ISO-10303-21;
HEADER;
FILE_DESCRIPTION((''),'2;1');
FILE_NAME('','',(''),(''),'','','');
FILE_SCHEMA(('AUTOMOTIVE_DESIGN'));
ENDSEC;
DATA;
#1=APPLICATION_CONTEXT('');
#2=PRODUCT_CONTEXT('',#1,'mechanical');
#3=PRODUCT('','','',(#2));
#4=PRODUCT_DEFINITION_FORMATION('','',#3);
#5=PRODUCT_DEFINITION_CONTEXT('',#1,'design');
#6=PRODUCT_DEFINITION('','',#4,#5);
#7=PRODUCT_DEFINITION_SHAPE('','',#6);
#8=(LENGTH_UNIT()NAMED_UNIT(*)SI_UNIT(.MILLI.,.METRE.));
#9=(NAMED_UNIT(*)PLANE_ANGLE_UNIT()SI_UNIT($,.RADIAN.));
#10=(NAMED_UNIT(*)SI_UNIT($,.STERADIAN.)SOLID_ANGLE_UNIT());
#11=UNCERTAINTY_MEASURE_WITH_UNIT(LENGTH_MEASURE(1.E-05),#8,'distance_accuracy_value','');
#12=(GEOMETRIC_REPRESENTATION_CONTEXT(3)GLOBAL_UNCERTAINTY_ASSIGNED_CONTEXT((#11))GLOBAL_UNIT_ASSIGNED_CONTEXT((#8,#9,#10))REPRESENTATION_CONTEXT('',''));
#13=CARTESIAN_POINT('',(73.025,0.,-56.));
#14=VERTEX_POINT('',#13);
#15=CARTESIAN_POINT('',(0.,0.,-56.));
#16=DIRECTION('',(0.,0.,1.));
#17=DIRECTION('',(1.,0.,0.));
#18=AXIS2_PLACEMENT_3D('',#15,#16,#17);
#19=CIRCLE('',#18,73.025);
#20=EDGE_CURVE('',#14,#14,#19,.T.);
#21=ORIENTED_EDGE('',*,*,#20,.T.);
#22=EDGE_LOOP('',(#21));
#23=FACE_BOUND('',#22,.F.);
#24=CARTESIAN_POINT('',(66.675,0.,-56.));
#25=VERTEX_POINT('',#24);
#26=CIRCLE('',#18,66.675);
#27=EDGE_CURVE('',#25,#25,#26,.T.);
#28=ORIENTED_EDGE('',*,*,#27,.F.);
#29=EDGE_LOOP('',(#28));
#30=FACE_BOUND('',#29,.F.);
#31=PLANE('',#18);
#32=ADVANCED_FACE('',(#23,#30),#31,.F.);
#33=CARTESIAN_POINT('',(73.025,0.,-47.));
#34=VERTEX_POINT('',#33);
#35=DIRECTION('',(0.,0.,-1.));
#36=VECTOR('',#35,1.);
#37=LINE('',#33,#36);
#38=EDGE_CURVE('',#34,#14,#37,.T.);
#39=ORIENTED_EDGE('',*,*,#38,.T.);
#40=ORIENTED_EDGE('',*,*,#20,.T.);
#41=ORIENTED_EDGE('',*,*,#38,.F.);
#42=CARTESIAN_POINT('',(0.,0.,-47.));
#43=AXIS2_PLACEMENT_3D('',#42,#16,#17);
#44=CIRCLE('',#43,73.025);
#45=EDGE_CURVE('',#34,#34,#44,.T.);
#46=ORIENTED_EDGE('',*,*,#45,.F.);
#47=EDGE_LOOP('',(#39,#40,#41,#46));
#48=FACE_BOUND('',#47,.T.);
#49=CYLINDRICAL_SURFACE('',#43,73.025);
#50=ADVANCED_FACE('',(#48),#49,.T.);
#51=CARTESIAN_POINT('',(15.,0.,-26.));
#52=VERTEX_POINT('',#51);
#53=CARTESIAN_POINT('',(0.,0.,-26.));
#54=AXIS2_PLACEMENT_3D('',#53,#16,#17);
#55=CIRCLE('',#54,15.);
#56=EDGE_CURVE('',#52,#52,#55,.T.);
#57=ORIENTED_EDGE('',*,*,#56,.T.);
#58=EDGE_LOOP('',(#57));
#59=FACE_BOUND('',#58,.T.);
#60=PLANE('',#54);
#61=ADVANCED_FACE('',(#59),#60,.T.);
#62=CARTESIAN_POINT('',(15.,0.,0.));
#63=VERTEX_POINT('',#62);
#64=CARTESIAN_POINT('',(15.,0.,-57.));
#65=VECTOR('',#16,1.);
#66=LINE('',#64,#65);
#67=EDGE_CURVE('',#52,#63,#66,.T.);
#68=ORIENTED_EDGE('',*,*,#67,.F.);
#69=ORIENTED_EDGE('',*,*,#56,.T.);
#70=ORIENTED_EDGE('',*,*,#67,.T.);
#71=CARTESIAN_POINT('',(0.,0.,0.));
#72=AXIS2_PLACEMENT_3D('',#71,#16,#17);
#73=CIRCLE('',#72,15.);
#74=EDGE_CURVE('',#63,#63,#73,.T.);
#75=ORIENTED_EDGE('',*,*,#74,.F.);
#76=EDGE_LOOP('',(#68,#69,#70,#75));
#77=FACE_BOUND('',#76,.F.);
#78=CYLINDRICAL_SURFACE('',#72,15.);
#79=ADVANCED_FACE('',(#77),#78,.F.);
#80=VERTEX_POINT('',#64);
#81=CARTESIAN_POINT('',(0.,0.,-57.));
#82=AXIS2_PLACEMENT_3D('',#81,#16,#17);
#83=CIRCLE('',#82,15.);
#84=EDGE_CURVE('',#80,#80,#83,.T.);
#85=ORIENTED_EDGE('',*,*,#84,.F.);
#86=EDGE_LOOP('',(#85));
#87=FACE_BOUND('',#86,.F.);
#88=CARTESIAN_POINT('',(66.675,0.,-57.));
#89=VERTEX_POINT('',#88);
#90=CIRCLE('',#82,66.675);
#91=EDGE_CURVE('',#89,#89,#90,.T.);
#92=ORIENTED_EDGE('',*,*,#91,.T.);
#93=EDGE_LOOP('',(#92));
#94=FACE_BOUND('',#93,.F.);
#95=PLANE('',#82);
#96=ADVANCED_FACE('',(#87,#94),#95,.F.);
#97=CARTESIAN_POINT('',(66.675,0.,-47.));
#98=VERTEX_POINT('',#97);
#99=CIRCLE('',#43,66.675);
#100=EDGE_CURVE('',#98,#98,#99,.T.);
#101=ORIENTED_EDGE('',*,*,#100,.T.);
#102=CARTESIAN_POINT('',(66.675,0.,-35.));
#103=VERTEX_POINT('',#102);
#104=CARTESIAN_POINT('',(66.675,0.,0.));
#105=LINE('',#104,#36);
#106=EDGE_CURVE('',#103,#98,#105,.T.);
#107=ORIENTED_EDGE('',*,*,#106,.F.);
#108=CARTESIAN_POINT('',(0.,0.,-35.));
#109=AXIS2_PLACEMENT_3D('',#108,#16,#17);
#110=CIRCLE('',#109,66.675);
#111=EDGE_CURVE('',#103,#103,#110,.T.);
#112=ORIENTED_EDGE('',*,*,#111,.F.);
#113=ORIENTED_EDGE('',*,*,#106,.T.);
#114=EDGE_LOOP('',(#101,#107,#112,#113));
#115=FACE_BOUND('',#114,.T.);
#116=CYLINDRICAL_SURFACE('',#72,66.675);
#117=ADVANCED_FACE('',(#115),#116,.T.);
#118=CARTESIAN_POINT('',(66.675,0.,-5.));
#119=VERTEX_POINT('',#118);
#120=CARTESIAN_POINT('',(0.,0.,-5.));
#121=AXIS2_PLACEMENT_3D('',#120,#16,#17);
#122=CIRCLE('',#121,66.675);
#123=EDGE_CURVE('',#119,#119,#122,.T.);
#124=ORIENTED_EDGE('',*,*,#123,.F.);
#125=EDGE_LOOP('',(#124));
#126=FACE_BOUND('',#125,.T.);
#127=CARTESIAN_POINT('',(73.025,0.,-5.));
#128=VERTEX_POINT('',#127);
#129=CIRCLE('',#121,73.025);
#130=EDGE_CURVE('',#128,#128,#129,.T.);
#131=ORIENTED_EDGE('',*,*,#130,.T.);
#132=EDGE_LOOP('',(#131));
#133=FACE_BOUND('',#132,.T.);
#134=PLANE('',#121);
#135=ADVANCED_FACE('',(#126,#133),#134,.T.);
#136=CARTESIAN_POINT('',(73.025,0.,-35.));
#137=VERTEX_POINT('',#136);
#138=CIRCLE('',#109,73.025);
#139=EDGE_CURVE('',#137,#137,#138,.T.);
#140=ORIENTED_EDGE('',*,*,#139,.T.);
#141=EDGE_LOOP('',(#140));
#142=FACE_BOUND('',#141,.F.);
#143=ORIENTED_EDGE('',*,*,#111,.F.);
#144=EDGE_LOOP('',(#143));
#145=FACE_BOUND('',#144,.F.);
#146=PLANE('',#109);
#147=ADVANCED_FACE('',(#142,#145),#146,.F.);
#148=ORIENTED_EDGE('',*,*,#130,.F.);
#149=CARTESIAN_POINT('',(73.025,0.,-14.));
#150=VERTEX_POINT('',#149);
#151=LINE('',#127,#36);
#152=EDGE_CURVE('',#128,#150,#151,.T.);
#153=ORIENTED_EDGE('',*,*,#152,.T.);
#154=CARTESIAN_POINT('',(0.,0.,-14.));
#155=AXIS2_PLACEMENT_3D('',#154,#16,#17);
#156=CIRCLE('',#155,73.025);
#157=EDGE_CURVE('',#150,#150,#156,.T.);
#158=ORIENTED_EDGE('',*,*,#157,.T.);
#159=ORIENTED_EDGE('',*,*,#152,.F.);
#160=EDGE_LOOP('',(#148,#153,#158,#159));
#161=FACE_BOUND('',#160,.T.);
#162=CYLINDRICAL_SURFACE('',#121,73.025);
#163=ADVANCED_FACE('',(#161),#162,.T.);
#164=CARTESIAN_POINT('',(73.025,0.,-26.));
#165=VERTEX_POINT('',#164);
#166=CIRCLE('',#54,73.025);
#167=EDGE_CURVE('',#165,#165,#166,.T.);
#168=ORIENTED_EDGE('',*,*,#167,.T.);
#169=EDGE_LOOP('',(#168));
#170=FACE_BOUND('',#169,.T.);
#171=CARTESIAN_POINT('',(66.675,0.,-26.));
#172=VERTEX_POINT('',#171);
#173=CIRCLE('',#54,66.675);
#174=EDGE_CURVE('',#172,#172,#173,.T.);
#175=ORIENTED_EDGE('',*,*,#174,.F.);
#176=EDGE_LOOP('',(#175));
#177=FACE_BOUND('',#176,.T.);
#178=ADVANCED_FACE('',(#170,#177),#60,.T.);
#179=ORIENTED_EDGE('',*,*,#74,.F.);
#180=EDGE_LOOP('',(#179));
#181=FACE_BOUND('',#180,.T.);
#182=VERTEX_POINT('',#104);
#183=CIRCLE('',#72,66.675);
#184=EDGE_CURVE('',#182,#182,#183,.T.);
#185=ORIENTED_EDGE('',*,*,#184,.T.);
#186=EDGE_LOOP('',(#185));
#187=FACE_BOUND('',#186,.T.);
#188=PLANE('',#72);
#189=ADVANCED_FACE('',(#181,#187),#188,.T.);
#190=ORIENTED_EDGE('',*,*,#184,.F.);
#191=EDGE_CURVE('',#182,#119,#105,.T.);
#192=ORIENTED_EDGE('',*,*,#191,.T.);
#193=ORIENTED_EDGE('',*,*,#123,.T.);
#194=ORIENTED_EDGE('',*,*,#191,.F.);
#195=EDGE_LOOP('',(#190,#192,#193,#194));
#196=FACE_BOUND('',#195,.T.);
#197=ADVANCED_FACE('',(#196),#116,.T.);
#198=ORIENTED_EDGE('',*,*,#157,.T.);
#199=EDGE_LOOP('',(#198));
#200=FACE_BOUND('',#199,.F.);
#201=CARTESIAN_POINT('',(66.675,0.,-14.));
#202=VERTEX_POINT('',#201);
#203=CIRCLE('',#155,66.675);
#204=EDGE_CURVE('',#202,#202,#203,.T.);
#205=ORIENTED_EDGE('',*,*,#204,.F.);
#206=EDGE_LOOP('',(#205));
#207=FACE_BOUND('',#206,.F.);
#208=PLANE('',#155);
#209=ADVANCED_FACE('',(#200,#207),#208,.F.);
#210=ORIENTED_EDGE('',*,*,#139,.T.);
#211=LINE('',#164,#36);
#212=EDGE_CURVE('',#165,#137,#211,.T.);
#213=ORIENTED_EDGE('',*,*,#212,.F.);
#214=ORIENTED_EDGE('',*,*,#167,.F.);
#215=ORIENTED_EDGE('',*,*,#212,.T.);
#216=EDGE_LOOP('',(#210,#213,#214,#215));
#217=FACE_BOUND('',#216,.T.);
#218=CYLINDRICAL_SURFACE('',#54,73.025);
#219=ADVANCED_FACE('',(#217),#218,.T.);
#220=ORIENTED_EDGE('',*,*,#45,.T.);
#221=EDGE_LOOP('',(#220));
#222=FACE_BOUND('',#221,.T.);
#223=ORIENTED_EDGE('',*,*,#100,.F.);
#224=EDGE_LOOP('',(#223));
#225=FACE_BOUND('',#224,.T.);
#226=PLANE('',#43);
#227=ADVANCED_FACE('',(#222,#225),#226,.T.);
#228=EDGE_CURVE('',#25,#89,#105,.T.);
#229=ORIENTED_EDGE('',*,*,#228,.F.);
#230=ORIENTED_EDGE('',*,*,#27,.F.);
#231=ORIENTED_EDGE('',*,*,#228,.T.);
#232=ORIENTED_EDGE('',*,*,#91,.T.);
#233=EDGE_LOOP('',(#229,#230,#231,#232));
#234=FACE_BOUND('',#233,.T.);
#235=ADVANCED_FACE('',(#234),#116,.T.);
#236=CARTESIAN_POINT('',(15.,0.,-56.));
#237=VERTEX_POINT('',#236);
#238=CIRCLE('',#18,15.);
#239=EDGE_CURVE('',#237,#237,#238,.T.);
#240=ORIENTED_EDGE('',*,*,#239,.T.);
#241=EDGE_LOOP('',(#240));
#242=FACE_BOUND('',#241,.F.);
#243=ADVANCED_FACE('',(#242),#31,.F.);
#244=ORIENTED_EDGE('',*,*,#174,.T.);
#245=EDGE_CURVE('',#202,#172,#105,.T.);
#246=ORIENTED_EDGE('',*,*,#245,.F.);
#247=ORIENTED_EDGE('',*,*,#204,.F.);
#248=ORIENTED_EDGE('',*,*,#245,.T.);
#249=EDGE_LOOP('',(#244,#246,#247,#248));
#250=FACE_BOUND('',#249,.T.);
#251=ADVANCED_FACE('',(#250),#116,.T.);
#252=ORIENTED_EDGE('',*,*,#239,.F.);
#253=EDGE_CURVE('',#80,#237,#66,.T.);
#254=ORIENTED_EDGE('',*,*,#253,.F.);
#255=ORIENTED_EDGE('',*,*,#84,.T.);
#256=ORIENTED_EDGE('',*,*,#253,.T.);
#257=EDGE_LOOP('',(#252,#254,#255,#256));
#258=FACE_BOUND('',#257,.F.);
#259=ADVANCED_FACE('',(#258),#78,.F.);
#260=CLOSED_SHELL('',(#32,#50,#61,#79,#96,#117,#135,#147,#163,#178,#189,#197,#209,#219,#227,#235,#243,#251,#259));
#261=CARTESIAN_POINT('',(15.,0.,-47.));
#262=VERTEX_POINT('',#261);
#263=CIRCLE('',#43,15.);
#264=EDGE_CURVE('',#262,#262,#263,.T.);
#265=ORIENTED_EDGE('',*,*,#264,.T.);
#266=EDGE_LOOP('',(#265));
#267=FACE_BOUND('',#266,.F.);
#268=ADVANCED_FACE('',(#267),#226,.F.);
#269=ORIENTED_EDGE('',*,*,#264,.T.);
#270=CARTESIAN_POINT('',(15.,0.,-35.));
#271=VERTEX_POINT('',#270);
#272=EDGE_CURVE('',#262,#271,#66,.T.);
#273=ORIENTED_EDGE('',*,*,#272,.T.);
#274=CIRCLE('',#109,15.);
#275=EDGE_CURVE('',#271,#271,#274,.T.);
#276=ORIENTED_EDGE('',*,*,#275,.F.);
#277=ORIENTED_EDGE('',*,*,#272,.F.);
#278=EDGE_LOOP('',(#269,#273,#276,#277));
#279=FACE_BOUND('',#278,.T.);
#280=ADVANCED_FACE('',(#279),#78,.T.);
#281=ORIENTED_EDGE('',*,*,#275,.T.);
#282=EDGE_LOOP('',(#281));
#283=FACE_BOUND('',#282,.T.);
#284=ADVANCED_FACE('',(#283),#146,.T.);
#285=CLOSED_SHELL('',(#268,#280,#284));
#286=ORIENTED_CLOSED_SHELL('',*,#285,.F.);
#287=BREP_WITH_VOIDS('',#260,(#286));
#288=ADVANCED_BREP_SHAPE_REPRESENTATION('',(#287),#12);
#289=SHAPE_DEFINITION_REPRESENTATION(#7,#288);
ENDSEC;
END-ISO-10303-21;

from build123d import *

# Parameters (mm, degrees)
SKETCH1_R           = 66.675
SKETCH1_R_2         = 15
BOSS_EXTRUDE1_DEPTH = 57
SKETCH2_R           = 73.025
BOSS_EXTRUDE2_DEPTH = 9
SKETCH5_R           = 15
CUT_EXTRUDE1_DEPTH  = 116.625694593
LPATTERN3_COUNT     = 3
LPATTERN3_PITCH     = 21


with BuildPart() as part:
    # Sketch1 → Boss-Extrude1 (new body)
    with BuildSketch(Plane.XY):
        Circle(SKETCH1_R)
        Circle(SKETCH1_R_2, mode=Mode.SUBTRACT)
    extrude(amount=-BOSS_EXTRUDE1_DEPTH)

    # Sketch2 → Boss-Extrude2 (add)
    with BuildSketch(Plane.XY.offset(-5)):
        Circle(SKETCH2_R)
    boss_extrude2 = extrude(amount=-BOSS_EXTRUDE2_DEPTH)

    # Sketch5 → Cut-Extrude1 (cut, through all)
    with BuildSketch(Plane.XY.offset(-5)):
        Circle(SKETCH5_R)
    extrude(amount=-CUT_EXTRUDE1_DEPTH, mode=Mode.SUBTRACT)

    # LPattern3: Boss-Extrude2 ×3
    with Locations(*[(0, 0, -i * LPATTERN3_PITCH) for i in range(1, LPATTERN3_COUNT)]):
        add(boss_extrude2)


solid = part.part
